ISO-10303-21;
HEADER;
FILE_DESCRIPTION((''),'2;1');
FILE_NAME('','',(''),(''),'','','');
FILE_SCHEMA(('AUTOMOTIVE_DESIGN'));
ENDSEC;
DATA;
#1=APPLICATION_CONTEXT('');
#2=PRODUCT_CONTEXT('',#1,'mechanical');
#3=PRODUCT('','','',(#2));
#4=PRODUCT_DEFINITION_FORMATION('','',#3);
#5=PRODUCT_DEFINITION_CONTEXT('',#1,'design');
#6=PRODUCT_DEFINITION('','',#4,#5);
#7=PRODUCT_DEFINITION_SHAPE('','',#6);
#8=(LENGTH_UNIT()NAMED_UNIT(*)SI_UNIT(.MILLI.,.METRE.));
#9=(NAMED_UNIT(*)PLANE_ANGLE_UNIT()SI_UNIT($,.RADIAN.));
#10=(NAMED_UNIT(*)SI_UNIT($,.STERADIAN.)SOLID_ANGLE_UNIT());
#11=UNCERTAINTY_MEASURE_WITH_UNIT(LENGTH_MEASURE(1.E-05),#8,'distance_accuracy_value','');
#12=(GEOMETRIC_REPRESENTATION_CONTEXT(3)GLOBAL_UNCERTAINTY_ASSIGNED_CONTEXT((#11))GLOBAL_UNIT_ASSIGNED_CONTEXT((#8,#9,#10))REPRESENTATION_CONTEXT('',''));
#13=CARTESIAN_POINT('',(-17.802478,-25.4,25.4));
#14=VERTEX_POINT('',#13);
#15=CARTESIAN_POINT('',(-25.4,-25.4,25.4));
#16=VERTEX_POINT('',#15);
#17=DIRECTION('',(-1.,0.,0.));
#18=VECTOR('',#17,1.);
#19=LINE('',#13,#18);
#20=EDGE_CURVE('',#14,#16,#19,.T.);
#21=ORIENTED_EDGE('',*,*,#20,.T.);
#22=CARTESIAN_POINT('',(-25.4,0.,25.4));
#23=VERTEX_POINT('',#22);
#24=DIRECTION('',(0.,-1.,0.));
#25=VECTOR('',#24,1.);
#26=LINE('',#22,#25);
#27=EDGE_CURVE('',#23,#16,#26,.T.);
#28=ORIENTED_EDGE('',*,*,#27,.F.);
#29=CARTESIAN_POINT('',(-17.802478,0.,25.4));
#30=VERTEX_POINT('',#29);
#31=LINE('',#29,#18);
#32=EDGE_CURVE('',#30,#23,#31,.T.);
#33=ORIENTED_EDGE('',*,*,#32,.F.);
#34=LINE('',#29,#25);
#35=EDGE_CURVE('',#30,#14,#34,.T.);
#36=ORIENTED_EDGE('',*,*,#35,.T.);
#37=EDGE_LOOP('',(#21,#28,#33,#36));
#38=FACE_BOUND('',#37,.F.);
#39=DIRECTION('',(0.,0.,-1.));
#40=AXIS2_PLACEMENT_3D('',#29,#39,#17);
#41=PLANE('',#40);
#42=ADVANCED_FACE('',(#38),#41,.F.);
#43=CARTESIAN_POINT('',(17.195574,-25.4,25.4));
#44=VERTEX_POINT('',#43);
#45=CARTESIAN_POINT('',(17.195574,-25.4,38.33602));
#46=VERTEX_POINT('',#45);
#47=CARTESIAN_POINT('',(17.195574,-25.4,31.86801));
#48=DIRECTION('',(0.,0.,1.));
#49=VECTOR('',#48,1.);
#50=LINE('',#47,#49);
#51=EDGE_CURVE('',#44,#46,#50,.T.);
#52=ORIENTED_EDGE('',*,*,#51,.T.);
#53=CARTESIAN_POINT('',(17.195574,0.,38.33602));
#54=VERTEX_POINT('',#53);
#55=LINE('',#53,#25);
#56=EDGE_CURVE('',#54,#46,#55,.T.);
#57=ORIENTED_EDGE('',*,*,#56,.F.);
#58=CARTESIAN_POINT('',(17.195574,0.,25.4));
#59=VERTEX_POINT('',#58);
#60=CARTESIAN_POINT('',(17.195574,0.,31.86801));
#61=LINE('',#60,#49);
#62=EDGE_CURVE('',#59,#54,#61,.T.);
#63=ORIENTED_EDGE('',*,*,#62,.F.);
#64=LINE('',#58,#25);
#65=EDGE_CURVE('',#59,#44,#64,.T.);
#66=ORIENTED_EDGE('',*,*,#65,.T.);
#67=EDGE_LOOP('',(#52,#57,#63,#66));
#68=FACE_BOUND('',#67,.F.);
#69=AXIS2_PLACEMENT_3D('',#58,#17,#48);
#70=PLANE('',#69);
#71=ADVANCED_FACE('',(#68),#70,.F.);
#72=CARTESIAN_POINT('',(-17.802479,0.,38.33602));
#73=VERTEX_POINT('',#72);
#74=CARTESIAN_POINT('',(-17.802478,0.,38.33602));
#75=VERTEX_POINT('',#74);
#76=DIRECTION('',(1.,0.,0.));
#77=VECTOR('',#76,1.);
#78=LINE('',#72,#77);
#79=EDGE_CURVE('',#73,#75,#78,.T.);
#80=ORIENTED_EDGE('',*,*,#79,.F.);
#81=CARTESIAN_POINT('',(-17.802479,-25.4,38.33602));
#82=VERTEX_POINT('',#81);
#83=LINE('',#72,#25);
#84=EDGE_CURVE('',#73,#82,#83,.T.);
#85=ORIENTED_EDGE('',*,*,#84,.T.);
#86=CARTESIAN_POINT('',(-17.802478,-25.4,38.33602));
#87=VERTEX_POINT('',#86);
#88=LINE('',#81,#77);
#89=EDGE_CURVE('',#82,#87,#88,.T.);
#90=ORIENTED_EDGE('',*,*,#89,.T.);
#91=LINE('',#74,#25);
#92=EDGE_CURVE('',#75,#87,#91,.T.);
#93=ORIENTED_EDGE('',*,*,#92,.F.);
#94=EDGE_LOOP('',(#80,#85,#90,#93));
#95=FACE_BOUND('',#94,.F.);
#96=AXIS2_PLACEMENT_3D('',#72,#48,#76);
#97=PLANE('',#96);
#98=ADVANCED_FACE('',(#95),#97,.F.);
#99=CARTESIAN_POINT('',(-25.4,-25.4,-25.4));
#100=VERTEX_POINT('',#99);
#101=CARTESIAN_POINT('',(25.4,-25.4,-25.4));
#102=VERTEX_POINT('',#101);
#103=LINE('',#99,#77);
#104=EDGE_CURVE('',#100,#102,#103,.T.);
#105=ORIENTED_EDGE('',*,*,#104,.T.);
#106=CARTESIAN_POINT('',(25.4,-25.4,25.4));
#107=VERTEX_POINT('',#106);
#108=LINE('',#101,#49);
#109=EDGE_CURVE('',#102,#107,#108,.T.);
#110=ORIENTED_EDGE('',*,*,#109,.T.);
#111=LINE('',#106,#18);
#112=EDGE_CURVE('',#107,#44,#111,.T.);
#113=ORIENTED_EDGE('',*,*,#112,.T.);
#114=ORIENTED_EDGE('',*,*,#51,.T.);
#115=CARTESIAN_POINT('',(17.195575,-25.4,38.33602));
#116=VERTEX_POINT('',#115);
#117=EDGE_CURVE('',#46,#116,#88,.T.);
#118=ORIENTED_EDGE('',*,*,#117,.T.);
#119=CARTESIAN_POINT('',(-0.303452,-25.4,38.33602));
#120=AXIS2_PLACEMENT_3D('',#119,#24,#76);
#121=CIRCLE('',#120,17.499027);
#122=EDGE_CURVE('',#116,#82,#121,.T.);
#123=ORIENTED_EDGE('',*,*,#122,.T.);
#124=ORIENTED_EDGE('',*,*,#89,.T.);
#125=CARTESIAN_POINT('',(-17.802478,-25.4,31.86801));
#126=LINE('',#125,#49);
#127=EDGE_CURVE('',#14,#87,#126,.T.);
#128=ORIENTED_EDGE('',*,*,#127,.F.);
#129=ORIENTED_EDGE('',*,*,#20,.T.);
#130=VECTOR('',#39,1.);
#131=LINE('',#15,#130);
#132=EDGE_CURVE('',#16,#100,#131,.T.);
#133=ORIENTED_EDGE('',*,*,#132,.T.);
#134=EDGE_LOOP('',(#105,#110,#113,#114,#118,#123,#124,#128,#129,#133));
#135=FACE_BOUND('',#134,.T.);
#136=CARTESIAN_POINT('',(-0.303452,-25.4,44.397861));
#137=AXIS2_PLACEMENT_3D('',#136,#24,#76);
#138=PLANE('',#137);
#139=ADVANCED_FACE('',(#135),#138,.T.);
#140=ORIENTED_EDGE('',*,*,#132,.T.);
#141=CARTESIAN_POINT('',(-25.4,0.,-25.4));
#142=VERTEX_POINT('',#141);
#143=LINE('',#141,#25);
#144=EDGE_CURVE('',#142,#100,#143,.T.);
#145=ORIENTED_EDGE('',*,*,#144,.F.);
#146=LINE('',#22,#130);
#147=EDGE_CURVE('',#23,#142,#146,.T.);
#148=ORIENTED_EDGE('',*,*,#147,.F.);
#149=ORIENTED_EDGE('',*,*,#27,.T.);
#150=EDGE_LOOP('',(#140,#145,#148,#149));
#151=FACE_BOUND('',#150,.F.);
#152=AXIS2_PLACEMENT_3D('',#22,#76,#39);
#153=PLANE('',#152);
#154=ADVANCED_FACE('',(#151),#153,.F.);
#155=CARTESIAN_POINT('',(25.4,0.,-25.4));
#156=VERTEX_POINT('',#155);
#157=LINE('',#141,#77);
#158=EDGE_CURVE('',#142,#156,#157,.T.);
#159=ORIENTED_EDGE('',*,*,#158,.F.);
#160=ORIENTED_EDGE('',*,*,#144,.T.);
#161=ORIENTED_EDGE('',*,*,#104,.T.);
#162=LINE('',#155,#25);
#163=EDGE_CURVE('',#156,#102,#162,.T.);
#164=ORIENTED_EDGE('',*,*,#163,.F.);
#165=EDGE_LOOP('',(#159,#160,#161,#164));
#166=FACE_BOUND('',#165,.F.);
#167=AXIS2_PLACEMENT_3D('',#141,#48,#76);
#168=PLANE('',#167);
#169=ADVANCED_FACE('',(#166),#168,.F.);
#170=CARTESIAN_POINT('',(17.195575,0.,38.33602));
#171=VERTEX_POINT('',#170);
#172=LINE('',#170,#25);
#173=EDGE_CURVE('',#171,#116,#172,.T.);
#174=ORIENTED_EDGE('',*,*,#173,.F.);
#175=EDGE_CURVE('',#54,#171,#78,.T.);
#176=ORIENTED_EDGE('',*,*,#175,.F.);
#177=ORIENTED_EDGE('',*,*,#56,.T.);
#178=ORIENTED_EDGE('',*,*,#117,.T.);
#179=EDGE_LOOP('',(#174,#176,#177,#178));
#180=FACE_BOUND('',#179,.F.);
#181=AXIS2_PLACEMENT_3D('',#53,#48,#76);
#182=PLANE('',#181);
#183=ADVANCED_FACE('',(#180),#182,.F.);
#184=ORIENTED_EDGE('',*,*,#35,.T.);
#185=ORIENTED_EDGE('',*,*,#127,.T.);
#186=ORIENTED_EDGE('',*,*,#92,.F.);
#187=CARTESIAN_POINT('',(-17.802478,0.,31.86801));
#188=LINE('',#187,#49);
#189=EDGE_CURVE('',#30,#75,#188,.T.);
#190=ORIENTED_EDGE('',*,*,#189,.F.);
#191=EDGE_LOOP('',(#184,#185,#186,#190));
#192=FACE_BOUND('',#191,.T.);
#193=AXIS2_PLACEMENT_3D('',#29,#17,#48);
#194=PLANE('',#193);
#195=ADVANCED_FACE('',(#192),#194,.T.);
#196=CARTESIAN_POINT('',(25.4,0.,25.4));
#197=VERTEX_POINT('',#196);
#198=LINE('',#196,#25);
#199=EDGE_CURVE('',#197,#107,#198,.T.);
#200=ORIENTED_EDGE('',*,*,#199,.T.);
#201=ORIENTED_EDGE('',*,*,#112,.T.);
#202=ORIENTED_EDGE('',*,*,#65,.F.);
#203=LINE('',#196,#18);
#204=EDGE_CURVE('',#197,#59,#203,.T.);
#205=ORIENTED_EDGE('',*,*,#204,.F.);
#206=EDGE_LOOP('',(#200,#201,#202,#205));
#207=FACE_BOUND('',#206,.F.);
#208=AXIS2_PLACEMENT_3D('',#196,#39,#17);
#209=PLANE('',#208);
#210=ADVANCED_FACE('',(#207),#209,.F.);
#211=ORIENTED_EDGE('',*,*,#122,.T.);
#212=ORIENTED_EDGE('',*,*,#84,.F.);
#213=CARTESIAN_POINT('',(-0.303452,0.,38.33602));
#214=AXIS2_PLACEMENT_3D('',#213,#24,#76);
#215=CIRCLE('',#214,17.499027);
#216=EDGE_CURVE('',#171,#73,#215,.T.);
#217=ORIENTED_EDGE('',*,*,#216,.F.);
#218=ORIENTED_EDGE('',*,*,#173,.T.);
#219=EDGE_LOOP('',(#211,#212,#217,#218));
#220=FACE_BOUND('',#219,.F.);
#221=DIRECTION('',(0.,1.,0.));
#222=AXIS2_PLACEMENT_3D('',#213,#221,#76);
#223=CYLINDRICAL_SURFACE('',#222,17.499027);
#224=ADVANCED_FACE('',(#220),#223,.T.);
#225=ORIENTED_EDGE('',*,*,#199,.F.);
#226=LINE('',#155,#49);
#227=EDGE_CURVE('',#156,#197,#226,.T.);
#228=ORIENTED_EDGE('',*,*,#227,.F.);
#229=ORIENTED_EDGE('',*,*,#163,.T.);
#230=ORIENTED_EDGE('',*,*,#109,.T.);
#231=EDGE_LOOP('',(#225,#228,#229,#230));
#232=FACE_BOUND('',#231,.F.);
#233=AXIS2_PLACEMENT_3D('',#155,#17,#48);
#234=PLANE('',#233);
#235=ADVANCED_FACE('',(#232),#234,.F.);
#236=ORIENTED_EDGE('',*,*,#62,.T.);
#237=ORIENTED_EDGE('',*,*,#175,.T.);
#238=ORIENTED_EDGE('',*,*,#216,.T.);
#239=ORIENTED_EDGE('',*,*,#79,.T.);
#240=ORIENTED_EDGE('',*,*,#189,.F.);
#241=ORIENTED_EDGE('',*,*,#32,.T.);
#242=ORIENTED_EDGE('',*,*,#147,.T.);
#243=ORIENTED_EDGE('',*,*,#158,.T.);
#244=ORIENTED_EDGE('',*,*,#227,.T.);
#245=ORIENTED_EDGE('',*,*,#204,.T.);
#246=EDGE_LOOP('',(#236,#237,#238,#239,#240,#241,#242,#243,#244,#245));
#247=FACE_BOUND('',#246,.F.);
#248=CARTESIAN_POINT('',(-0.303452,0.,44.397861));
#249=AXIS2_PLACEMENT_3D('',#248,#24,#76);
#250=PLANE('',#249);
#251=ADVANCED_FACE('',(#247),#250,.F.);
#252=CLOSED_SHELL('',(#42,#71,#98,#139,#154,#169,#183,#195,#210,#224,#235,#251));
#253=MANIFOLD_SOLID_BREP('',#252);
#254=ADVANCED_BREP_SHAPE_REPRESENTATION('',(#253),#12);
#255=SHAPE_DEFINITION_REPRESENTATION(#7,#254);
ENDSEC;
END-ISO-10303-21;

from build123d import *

# Parameters (mm, degrees)
F0_W     = 17.802479
F0_H     = 12.93602
F0_W_2   = 17.195575
F1_DEPTH = 25.4


with BuildPart() as f1:
    # F0 (on Front) → F1 (new body)
    with BuildSketch(Plane.XZ):
        with BuildLine():
            ThreePointArc((17.195575, 38.33602), (-0.303452, 55.835047), (-17.802479, 38.33602))
            Line((-17.802479, 38.33602), (0, 38.33602))
            Line((0, 38.33602), (17.195575, 38.33602))
        make_face()
        with Locations((-8.901239, 31.86801)):
            Rectangle(F0_W, F0_H)
        Polygon((-25.4, 25.4), (-25.4, -25.4), (25.4, -25.4), (25.4, 25.4), (17.195575, 25.4), (0, 25.4), (-17.802479, 25.4), align=None)
        with Locations((8.597787, 31.86801)):
            Rectangle(F0_W_2, F0_H)
    extrude(amount=F1_DEPTH)


solid = f1.part
